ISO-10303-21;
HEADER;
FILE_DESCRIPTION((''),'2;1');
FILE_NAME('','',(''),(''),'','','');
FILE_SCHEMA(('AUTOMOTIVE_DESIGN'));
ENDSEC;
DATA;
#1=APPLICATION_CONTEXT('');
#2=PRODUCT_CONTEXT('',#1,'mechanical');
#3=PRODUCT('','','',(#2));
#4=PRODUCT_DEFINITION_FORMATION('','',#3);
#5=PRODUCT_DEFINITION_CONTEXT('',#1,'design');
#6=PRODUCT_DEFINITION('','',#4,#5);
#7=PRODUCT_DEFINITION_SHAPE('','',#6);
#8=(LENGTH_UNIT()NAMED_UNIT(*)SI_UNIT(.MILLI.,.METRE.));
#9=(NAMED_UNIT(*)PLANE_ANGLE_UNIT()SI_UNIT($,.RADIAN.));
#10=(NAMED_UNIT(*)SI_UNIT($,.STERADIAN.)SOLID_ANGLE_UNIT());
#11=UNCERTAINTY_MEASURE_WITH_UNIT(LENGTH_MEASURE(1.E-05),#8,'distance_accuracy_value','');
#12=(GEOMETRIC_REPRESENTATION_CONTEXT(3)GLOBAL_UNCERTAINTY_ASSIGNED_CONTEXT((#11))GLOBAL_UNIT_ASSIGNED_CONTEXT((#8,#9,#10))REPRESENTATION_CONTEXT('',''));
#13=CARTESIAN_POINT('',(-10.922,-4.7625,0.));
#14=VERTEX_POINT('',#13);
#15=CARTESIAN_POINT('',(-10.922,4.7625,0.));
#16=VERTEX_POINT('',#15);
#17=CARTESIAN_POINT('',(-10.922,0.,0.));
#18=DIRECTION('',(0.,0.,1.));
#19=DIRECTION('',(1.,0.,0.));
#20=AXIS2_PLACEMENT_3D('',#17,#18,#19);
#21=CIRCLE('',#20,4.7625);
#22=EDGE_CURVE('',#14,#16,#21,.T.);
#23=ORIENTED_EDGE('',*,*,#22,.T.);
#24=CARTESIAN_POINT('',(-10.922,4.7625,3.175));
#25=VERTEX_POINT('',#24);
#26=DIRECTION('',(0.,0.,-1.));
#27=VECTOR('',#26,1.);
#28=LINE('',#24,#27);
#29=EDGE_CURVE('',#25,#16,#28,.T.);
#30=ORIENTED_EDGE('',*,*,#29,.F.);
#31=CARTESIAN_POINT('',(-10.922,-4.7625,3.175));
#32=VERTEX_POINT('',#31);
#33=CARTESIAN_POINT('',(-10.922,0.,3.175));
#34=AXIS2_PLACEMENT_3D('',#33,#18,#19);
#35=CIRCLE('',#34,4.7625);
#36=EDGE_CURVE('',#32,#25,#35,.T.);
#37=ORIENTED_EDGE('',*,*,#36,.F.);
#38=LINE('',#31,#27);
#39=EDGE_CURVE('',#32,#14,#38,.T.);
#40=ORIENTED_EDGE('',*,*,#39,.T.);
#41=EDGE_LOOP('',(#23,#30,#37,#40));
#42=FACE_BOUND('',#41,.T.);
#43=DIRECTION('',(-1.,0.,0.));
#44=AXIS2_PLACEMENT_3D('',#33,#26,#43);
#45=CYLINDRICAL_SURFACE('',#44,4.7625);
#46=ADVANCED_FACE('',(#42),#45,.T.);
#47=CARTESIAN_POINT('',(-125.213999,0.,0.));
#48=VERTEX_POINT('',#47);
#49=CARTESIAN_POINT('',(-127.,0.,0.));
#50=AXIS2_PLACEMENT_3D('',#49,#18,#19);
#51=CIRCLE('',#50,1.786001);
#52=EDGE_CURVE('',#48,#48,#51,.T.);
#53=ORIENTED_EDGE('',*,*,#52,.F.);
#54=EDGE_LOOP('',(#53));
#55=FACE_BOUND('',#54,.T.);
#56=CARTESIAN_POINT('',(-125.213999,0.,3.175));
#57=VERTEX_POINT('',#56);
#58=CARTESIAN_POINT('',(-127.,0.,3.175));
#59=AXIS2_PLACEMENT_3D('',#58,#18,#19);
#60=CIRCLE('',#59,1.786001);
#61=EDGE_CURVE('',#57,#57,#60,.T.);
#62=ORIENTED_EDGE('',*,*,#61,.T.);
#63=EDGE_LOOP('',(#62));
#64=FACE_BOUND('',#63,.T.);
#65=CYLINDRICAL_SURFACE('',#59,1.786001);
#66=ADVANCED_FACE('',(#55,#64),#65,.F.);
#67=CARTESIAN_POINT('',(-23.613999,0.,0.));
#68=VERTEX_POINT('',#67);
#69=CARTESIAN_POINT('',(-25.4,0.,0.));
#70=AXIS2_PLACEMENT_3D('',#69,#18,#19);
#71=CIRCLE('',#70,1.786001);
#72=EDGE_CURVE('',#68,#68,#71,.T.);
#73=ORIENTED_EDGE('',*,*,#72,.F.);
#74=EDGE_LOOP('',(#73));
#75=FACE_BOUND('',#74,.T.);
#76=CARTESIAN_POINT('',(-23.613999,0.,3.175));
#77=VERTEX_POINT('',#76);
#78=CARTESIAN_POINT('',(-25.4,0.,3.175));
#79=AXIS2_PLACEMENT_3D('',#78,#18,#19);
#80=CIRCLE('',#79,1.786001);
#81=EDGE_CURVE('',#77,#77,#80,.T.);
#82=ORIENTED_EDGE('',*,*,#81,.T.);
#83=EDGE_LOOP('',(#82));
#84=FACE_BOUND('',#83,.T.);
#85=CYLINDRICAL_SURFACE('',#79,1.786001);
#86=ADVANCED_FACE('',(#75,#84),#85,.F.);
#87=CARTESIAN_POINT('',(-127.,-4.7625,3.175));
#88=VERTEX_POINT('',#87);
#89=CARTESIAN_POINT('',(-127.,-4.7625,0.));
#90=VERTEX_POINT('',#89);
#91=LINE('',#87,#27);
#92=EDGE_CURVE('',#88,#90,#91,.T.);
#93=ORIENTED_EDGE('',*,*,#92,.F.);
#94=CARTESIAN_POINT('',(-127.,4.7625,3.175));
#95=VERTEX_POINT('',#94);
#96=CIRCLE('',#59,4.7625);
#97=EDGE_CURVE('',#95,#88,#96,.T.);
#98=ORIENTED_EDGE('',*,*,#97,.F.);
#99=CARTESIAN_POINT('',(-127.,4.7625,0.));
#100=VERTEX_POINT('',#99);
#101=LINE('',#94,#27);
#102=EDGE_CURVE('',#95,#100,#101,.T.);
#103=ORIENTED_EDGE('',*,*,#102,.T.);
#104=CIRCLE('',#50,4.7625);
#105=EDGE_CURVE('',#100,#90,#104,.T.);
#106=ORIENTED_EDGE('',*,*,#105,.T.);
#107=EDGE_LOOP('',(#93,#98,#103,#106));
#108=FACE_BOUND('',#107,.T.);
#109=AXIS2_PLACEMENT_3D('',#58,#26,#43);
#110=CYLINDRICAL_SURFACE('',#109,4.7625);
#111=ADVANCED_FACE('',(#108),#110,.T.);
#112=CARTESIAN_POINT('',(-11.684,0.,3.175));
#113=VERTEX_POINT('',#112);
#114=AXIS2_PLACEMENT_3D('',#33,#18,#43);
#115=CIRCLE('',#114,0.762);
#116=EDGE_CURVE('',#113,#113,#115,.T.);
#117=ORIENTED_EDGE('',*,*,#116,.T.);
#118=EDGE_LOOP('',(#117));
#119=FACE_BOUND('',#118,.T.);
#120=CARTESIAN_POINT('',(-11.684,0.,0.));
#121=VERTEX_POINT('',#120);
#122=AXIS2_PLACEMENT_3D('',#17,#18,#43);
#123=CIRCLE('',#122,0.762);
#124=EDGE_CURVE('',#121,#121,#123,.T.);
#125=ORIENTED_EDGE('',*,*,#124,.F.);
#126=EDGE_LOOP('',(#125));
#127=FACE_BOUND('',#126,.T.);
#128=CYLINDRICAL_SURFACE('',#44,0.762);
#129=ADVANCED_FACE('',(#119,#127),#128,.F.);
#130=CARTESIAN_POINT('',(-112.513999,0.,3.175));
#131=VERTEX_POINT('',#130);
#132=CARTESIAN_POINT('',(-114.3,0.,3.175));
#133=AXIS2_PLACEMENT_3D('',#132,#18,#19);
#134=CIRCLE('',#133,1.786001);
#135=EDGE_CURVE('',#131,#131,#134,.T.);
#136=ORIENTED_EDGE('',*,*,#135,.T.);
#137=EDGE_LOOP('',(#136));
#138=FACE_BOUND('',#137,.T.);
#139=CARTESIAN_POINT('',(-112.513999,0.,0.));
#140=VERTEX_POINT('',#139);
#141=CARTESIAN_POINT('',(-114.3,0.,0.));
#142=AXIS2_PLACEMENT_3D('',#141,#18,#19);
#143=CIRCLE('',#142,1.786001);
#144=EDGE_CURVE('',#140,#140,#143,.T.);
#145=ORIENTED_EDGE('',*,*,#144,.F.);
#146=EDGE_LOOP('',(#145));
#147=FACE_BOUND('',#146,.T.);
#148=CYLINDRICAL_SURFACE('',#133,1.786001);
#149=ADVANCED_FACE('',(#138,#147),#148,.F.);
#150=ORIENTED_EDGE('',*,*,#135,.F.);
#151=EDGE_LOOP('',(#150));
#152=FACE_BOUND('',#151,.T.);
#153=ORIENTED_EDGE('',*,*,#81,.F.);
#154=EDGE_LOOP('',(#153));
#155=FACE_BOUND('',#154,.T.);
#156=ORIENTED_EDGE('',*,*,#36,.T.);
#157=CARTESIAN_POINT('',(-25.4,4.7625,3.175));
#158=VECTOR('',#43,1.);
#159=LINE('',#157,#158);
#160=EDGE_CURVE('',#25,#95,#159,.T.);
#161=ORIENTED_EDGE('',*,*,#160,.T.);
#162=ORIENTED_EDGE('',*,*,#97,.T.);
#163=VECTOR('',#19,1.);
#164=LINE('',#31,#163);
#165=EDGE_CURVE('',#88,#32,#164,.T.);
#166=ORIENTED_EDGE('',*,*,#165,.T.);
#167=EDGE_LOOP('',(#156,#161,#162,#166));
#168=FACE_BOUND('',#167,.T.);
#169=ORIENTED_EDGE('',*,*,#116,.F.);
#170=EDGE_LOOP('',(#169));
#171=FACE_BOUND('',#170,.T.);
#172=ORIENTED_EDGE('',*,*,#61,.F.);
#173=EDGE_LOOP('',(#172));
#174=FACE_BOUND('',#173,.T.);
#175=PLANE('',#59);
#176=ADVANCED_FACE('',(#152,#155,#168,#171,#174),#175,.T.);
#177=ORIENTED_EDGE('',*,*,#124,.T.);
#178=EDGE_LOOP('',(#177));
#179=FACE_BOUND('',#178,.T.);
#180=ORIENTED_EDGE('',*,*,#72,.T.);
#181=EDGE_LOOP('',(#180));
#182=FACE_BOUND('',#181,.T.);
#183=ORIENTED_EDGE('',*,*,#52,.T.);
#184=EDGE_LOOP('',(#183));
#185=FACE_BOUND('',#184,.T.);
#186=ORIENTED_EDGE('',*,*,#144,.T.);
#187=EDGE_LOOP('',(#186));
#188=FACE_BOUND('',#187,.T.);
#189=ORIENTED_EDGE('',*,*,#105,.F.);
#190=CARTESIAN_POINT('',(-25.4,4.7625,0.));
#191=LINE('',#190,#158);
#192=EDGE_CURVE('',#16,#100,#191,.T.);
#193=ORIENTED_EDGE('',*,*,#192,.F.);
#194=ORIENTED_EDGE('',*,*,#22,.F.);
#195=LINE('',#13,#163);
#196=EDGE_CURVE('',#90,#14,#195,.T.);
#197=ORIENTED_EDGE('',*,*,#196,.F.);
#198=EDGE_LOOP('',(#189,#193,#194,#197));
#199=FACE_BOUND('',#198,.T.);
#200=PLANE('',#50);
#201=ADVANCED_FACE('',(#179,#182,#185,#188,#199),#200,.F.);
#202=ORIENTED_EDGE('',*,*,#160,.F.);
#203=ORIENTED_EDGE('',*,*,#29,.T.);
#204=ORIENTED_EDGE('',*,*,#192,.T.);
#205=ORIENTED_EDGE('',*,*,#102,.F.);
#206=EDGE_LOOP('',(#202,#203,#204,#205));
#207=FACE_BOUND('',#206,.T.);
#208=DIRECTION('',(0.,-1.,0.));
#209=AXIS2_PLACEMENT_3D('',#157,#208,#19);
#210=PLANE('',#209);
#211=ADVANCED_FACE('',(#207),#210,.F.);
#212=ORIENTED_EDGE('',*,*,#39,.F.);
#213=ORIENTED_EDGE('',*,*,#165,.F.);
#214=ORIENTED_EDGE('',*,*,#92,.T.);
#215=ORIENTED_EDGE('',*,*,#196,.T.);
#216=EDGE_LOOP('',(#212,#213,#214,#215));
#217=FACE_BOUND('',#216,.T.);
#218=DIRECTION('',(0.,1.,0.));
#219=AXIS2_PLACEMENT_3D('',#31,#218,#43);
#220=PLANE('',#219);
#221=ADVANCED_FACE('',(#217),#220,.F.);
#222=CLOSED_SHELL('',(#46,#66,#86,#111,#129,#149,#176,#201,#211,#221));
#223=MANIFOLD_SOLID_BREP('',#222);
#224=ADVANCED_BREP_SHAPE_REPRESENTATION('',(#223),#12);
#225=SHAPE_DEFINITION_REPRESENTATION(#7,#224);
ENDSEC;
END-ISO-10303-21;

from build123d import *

# Parameters (mm, degrees)
SKETCH1_R                       = 0.762
BOSS_EXTRUDE1_DEPTH             = 3.175
F_9_64_0_14063_DIAMETER_HOLE1_D = 3.572002
F_9_64_0_14063_DIAMETER_HOLE2_D = 3.572002
F_9_64_0_14063_DIAMETER_HOLE3_D = 3.572002


with BuildPart() as part:
    # Sketch1 → Boss-Extrude1 (new body)
    with BuildSketch(Plane.XY):
        with BuildLine():
            Line((-10.922, -4.7625), (-127, -4.7625))
            ThreePointArc((-127, -4.7625), (-131.7625, 0), (-127, 4.7625))
            Line((-127, 4.7625), (-25.4, 4.7625))
            Line((-25.4, 4.7625), (-10.922, 4.7625))
            ThreePointArc((-10.922, 4.7625), (-6.1595, 0), (-10.922, -4.7625))
        make_face()
        with Locations((-25.4, 0)):
            Circle(SKETCH1_R, mode=Mode.SUBTRACT)
        with Locations((-10.922, 0)):
            Circle(SKETCH1_R, mode=Mode.SUBTRACT)
    extrude(amount=BOSS_EXTRUDE1_DEPTH)

    # 9/64 (0.14063) Diameter Hole1 (through all)
    with Locations(Plane.XY.offset(3.175)):
        with Locations((0, 0), (-127, 0)):
            Hole(F_9_64_0_14063_DIAMETER_HOLE1_D / 2)

    # 9/64 (0.14063) Diameter Hole2 (through all)
    with Locations(Plane.XY.offset(3.175)):
        with Locations((-114.3, 0)):
            Hole(F_9_64_0_14063_DIAMETER_HOLE2_D / 2)

    # 9/64 (0.14063) Diameter Hole3 (through all)
    with Locations(Plane.XY.offset(3.175)):
        with Locations((-25.4, 0)):
            Hole(F_9_64_0_14063_DIAMETER_HOLE3_D / 2)


solid = part.part
